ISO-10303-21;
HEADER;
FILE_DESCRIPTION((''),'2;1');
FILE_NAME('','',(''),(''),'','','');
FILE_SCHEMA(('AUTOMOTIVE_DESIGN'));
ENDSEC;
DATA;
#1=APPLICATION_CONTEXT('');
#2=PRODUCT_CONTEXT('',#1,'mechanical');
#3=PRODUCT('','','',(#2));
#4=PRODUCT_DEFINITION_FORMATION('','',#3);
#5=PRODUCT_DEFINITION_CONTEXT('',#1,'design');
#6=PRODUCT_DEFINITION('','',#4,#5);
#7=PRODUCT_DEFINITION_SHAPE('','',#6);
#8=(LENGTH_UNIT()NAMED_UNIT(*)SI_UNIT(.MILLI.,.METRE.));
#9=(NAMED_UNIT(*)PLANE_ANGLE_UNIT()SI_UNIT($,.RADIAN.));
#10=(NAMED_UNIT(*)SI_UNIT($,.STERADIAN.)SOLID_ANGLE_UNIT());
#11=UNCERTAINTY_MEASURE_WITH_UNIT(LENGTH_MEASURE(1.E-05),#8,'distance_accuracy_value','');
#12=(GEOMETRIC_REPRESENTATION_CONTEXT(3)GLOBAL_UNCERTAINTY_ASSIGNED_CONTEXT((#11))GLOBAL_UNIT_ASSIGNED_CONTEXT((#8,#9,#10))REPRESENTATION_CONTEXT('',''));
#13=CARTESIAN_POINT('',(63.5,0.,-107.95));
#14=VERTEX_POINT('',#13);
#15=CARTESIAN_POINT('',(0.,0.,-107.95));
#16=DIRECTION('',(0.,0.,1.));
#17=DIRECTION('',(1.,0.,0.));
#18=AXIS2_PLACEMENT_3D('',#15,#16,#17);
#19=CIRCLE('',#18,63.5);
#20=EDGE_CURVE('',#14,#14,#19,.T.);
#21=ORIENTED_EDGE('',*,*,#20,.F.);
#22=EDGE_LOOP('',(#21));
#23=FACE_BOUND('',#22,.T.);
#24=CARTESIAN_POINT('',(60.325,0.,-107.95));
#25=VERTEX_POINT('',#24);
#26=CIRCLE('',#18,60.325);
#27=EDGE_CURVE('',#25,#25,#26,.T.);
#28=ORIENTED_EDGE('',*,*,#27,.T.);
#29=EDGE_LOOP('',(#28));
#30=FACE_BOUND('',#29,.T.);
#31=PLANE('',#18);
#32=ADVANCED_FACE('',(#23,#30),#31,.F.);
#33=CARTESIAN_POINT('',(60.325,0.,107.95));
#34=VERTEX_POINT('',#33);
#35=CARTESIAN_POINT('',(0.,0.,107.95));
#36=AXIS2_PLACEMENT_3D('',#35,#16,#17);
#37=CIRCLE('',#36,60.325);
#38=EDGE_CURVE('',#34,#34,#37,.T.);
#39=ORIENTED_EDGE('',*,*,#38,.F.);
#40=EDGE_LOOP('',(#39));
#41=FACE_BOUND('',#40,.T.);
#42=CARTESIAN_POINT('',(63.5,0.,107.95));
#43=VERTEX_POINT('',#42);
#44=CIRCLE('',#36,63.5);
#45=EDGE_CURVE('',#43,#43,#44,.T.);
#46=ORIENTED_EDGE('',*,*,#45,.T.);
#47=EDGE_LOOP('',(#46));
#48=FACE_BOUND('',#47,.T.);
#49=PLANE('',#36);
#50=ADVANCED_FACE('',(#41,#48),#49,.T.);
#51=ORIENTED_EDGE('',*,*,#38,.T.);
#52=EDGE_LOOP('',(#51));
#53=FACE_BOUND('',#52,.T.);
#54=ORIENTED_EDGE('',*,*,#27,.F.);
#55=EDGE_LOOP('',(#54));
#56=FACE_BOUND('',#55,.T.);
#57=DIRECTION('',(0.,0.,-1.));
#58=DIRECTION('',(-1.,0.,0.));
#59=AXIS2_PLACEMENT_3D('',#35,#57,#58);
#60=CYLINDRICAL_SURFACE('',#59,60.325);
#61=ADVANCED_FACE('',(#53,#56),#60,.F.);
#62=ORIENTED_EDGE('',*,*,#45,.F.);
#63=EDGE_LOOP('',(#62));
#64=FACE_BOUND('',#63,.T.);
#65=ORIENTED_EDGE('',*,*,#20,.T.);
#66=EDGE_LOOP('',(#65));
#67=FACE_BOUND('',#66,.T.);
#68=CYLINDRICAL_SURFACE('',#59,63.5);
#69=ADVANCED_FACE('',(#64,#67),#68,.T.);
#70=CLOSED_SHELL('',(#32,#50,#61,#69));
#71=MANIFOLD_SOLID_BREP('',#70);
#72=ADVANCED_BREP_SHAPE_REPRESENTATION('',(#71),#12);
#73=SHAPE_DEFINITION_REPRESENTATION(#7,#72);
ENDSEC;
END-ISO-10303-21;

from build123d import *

# Parameters (mm, degrees)
SKETCH1_R           = 63.5
SKETCH1_R_2         = 60.325
BOSS_EXTRUDE1_DEPTH = 107.95


with BuildPart() as part:
    # Sketch1 → Boss-Extrude1 (new body, symmetric)
    with BuildSketch(Plane.XY):
        Circle(SKETCH1_R)
        Circle(SKETCH1_R_2, mode=Mode.SUBTRACT)
    extrude(amount=BOSS_EXTRUDE1_DEPTH, both=True)


solid = part.part
